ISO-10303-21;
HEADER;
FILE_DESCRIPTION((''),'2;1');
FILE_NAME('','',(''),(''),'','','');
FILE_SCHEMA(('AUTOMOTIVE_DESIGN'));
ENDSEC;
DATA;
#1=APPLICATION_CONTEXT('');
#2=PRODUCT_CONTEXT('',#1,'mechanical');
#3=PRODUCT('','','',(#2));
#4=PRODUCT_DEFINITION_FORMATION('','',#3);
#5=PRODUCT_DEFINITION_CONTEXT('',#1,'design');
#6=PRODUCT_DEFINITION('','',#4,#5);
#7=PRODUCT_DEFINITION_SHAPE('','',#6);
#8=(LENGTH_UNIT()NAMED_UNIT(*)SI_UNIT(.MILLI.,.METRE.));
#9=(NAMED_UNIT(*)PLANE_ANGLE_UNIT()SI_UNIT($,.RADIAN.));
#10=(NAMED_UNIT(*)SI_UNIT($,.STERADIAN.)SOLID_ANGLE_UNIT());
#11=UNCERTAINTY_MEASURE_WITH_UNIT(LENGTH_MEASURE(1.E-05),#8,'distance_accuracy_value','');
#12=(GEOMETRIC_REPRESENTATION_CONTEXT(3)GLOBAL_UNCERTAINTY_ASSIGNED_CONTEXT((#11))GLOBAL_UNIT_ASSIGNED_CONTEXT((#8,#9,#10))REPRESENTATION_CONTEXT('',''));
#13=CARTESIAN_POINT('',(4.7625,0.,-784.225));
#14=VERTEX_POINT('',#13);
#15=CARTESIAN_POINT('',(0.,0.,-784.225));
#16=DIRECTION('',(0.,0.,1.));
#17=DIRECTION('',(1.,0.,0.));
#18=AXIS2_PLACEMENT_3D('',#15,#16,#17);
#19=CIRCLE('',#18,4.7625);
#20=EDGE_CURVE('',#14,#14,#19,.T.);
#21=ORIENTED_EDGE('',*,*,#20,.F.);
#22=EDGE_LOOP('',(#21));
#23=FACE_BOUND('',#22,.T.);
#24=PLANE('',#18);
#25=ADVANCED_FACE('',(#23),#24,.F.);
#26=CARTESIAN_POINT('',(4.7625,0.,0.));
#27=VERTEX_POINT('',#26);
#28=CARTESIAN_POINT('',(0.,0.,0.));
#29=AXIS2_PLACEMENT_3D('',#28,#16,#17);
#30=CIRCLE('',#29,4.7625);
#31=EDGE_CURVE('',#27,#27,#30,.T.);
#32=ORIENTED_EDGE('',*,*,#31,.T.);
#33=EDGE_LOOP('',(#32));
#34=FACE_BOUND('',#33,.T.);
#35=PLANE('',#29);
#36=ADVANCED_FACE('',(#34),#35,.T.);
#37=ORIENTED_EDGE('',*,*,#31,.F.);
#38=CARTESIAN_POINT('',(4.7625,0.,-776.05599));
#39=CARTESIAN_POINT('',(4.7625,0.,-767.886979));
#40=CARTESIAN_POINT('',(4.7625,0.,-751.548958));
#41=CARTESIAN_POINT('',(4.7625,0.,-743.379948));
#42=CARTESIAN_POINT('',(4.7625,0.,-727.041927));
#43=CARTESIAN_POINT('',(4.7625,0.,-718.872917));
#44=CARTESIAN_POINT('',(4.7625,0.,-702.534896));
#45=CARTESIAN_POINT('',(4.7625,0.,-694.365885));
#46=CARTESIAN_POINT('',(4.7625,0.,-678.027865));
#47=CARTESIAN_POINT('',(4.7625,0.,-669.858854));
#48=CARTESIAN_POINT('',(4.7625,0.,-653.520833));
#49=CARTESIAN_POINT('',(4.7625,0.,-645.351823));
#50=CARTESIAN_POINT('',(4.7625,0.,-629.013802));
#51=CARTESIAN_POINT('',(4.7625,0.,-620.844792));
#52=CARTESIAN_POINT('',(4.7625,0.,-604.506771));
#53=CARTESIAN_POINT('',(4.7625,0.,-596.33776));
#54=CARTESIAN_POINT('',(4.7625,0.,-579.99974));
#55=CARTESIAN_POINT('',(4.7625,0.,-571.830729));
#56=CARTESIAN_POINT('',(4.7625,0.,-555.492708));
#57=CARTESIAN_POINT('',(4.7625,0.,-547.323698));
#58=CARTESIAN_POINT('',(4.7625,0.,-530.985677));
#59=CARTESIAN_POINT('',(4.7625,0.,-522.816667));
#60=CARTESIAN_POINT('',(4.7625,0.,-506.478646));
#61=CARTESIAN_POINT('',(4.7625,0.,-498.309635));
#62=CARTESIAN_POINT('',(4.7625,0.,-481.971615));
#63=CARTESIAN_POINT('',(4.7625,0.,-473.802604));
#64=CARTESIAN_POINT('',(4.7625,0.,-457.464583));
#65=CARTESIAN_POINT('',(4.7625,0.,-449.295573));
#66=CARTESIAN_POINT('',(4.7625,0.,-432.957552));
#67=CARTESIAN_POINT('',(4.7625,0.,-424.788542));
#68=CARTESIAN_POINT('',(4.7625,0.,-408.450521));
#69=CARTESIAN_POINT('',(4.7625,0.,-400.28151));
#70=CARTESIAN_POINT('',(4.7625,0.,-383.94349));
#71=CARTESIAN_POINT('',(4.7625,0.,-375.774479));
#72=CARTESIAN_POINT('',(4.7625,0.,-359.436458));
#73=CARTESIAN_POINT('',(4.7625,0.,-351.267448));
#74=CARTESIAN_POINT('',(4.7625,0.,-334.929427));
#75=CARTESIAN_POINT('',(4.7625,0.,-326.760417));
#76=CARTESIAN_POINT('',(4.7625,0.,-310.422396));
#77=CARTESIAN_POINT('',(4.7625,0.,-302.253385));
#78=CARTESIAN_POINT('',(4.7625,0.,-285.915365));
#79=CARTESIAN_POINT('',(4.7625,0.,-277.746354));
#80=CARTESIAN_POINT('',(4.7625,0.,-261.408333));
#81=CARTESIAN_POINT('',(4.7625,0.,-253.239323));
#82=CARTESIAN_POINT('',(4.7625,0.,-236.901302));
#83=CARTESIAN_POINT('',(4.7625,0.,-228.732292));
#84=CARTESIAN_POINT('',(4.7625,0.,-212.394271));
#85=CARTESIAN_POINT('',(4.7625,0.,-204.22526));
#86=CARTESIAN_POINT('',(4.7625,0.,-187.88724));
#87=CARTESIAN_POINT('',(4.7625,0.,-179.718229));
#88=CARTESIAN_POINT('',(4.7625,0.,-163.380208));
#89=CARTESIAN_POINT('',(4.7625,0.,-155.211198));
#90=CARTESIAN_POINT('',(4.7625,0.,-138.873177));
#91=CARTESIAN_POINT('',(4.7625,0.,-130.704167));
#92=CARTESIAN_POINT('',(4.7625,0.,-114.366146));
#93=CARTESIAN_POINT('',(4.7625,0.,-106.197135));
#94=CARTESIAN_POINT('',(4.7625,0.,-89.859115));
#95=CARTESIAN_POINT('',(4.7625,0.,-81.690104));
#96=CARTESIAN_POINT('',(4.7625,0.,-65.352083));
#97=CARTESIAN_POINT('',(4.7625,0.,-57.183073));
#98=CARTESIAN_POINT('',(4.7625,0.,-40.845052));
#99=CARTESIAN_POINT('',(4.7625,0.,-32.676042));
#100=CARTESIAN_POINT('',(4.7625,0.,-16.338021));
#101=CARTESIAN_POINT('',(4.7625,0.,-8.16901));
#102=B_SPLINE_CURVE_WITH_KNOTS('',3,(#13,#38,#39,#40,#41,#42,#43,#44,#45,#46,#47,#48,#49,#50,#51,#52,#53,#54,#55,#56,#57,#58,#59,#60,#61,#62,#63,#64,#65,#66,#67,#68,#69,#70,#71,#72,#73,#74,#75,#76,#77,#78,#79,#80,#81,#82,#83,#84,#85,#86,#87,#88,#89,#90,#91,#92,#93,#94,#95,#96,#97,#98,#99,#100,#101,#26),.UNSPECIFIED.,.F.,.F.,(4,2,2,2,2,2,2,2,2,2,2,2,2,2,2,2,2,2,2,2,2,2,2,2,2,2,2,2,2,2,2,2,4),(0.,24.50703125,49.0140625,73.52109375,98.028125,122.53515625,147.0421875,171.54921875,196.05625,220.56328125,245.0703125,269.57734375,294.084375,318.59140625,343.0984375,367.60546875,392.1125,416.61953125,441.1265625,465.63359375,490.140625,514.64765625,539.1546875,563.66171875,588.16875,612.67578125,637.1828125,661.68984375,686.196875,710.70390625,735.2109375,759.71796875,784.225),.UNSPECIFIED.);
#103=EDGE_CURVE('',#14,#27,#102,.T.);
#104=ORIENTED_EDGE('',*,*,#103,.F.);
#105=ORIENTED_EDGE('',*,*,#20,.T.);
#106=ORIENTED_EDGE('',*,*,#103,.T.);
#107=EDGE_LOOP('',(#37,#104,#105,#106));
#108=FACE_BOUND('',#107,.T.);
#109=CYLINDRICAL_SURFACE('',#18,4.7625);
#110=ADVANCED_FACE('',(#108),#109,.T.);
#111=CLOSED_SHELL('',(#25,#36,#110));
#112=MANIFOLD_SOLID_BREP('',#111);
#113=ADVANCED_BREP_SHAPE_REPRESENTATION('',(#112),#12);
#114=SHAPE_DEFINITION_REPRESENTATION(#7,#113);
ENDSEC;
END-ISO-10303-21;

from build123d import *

# Parameters (mm, degrees)
SKETCH1_R           = 4.7625
BOSS_EXTRUDE1_DEPTH = 784.225


with BuildPart() as part:
    # Sketch1 → Boss-Extrude1 (new body)
    with BuildSketch(Plane.XY):
        Circle(SKETCH1_R)
    extrude(amount=-BOSS_EXTRUDE1_DEPTH)


solid = part.part
